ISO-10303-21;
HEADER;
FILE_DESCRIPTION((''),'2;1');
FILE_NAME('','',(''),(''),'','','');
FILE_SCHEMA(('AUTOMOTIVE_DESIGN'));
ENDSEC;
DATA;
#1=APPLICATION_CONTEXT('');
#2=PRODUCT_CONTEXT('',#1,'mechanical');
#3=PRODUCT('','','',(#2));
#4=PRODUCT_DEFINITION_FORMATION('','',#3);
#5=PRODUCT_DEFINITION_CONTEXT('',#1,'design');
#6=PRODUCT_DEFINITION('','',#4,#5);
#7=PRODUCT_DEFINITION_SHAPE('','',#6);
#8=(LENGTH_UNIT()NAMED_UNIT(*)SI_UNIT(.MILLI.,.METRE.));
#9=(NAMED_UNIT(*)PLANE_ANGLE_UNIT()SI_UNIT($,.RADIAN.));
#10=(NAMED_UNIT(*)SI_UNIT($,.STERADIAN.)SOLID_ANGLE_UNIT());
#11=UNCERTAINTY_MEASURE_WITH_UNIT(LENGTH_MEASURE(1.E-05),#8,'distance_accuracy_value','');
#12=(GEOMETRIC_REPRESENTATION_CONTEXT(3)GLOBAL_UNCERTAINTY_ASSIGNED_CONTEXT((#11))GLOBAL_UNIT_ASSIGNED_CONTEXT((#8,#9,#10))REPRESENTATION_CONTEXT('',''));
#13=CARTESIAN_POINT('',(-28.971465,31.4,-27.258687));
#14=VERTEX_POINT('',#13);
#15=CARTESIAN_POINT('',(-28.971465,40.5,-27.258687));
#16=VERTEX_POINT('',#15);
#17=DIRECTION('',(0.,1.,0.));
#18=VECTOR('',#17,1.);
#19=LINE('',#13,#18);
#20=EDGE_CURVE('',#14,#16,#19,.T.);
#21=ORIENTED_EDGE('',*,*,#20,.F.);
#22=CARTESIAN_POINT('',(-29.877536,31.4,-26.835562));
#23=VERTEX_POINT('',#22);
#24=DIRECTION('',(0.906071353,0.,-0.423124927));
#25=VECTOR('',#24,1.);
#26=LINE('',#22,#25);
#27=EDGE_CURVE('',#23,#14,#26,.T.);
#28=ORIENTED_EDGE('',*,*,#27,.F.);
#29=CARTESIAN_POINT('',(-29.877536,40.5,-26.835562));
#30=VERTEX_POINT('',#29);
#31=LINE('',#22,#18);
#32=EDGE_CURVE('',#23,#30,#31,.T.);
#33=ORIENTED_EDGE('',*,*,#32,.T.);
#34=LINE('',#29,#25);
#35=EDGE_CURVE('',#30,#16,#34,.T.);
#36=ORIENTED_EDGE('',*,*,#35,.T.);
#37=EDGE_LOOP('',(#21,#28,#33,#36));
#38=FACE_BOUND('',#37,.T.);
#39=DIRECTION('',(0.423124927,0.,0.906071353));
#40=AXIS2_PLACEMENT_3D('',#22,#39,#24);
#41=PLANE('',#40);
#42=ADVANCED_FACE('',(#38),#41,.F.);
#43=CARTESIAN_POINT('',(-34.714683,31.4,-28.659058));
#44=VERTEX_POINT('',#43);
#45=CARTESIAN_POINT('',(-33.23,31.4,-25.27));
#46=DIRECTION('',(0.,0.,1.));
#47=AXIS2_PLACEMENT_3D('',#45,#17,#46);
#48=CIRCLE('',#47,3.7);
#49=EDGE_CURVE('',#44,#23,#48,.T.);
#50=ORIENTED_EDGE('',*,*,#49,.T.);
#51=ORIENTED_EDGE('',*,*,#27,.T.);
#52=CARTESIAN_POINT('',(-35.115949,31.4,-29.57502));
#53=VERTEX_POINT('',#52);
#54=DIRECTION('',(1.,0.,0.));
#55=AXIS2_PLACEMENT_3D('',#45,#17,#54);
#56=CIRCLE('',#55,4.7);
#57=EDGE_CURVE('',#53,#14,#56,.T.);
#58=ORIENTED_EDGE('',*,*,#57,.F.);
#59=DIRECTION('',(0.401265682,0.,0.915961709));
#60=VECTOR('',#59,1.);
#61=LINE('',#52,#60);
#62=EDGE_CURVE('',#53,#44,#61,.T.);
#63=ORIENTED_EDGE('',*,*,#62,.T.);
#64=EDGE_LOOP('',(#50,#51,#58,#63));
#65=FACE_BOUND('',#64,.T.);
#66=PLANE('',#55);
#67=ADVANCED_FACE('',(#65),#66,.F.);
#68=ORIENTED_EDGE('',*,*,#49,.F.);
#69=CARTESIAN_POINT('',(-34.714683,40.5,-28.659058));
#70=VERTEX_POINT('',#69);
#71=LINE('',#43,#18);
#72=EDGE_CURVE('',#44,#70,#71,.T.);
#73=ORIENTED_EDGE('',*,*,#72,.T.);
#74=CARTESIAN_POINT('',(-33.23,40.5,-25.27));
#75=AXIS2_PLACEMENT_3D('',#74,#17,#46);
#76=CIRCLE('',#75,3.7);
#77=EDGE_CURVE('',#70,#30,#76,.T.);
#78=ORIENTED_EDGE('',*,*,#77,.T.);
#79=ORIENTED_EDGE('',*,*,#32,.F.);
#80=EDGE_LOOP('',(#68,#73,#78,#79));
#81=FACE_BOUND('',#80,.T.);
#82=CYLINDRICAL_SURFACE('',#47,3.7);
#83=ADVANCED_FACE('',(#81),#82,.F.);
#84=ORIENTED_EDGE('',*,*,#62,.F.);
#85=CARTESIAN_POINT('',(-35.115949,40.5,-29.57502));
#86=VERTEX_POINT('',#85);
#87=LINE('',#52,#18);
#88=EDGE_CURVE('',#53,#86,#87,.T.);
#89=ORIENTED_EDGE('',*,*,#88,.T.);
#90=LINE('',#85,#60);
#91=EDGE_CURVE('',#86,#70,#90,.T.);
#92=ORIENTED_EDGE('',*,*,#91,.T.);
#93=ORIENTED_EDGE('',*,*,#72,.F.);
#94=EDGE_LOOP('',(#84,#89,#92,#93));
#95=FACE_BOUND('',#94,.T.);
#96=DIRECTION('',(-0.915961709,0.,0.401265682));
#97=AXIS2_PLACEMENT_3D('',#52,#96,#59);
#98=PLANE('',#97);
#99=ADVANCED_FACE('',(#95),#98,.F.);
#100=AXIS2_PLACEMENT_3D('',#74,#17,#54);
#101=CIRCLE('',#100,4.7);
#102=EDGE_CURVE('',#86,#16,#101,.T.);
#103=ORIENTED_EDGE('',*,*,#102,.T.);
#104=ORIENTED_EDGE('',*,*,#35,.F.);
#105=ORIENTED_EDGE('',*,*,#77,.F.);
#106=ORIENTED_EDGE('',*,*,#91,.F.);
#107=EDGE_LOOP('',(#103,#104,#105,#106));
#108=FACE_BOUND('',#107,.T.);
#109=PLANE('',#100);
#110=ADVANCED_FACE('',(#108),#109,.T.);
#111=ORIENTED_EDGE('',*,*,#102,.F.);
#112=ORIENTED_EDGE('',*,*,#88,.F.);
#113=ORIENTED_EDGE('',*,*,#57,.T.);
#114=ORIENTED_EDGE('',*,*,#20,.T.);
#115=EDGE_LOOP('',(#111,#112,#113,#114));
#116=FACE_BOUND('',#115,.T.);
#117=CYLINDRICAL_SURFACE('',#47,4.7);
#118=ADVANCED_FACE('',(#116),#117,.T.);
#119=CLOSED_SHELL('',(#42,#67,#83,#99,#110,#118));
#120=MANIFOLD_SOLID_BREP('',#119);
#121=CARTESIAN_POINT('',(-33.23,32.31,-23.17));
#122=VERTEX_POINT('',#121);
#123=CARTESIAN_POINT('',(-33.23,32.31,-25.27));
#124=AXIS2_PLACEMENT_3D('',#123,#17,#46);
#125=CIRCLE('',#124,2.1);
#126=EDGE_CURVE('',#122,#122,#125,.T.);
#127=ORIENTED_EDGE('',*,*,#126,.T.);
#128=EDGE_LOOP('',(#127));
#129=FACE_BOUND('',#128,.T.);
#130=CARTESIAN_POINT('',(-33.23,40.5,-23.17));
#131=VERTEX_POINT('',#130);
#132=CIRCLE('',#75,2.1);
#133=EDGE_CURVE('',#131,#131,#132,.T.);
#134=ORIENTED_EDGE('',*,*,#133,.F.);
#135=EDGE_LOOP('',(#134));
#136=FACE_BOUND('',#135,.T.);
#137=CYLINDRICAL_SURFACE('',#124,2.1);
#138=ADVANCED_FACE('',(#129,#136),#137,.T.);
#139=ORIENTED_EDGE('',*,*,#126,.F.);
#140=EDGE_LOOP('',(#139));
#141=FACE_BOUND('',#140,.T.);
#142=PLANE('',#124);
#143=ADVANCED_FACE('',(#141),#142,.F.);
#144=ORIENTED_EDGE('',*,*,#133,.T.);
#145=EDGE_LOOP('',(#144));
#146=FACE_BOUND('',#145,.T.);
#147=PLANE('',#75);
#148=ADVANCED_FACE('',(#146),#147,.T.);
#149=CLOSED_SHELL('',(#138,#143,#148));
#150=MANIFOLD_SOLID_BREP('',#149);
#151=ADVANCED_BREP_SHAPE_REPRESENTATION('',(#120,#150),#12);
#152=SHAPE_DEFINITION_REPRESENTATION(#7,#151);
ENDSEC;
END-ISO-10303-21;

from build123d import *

# Parameters (mm, degrees)
EXTRUDE_THIN_START                         = 40.5
EXTRUDE_THIN_LIGHT_SENSOR_TUBE_DEPTH       = 9.1
BOSS_EXTRUDE_START                         = 40.5
LIGHT_SENSOR_TUBE_OUTLINE_3_R              = 2.1
BOSS_EXTRUDE_LIGHT_SENSOR_LIGHT_PIPE_DEPTH = 8.19


with BuildPart() as part:
    # Light sensor tube outline → Extrude-Thin light sensor tube (new body)
    with BuildSketch(Plane(origin=(0, 0, 0), x_dir=(1, 0, 0), z_dir=(0, 1, 0)).offset(EXTRUDE_THIN_START)):
        with BuildLine():
            ThreePointArc((-34.714683023, 28.659058324), (-34.535157443, 21.80783824), (-29.877535995, 26.83556223))
            Line((-29.877535995, 26.83556223), (-28.971464642, 27.258687157))
            ThreePointArc((-28.971464642, 27.258687157), (-34.887902697, 20.872118846), (-35.115948705, 29.575020033))
            Line((-35.115948705, 29.575020033), (-34.714683023, 28.659058324))
        make_face()
    extrude(amount=-EXTRUDE_THIN_LIGHT_SENSOR_TUBE_DEPTH)


with BuildPart() as body_2:
    # Light sensor tube outline<3> → Boss-Extrude light sensor light pipe (new body)
    with BuildSketch(Plane(origin=(0, 0, 0), x_dir=(1, 0, 0), z_dir=(0, 1, 0)).offset(BOSS_EXTRUDE_START)):
        with Locations((-33.23, 25.27)):
            Circle(LIGHT_SENSOR_TUBE_OUTLINE_3_R)
    extrude(amount=-BOSS_EXTRUDE_LIGHT_SENSOR_LIGHT_PIPE_DEPTH)


solid = Compound([part.part, body_2.part])
